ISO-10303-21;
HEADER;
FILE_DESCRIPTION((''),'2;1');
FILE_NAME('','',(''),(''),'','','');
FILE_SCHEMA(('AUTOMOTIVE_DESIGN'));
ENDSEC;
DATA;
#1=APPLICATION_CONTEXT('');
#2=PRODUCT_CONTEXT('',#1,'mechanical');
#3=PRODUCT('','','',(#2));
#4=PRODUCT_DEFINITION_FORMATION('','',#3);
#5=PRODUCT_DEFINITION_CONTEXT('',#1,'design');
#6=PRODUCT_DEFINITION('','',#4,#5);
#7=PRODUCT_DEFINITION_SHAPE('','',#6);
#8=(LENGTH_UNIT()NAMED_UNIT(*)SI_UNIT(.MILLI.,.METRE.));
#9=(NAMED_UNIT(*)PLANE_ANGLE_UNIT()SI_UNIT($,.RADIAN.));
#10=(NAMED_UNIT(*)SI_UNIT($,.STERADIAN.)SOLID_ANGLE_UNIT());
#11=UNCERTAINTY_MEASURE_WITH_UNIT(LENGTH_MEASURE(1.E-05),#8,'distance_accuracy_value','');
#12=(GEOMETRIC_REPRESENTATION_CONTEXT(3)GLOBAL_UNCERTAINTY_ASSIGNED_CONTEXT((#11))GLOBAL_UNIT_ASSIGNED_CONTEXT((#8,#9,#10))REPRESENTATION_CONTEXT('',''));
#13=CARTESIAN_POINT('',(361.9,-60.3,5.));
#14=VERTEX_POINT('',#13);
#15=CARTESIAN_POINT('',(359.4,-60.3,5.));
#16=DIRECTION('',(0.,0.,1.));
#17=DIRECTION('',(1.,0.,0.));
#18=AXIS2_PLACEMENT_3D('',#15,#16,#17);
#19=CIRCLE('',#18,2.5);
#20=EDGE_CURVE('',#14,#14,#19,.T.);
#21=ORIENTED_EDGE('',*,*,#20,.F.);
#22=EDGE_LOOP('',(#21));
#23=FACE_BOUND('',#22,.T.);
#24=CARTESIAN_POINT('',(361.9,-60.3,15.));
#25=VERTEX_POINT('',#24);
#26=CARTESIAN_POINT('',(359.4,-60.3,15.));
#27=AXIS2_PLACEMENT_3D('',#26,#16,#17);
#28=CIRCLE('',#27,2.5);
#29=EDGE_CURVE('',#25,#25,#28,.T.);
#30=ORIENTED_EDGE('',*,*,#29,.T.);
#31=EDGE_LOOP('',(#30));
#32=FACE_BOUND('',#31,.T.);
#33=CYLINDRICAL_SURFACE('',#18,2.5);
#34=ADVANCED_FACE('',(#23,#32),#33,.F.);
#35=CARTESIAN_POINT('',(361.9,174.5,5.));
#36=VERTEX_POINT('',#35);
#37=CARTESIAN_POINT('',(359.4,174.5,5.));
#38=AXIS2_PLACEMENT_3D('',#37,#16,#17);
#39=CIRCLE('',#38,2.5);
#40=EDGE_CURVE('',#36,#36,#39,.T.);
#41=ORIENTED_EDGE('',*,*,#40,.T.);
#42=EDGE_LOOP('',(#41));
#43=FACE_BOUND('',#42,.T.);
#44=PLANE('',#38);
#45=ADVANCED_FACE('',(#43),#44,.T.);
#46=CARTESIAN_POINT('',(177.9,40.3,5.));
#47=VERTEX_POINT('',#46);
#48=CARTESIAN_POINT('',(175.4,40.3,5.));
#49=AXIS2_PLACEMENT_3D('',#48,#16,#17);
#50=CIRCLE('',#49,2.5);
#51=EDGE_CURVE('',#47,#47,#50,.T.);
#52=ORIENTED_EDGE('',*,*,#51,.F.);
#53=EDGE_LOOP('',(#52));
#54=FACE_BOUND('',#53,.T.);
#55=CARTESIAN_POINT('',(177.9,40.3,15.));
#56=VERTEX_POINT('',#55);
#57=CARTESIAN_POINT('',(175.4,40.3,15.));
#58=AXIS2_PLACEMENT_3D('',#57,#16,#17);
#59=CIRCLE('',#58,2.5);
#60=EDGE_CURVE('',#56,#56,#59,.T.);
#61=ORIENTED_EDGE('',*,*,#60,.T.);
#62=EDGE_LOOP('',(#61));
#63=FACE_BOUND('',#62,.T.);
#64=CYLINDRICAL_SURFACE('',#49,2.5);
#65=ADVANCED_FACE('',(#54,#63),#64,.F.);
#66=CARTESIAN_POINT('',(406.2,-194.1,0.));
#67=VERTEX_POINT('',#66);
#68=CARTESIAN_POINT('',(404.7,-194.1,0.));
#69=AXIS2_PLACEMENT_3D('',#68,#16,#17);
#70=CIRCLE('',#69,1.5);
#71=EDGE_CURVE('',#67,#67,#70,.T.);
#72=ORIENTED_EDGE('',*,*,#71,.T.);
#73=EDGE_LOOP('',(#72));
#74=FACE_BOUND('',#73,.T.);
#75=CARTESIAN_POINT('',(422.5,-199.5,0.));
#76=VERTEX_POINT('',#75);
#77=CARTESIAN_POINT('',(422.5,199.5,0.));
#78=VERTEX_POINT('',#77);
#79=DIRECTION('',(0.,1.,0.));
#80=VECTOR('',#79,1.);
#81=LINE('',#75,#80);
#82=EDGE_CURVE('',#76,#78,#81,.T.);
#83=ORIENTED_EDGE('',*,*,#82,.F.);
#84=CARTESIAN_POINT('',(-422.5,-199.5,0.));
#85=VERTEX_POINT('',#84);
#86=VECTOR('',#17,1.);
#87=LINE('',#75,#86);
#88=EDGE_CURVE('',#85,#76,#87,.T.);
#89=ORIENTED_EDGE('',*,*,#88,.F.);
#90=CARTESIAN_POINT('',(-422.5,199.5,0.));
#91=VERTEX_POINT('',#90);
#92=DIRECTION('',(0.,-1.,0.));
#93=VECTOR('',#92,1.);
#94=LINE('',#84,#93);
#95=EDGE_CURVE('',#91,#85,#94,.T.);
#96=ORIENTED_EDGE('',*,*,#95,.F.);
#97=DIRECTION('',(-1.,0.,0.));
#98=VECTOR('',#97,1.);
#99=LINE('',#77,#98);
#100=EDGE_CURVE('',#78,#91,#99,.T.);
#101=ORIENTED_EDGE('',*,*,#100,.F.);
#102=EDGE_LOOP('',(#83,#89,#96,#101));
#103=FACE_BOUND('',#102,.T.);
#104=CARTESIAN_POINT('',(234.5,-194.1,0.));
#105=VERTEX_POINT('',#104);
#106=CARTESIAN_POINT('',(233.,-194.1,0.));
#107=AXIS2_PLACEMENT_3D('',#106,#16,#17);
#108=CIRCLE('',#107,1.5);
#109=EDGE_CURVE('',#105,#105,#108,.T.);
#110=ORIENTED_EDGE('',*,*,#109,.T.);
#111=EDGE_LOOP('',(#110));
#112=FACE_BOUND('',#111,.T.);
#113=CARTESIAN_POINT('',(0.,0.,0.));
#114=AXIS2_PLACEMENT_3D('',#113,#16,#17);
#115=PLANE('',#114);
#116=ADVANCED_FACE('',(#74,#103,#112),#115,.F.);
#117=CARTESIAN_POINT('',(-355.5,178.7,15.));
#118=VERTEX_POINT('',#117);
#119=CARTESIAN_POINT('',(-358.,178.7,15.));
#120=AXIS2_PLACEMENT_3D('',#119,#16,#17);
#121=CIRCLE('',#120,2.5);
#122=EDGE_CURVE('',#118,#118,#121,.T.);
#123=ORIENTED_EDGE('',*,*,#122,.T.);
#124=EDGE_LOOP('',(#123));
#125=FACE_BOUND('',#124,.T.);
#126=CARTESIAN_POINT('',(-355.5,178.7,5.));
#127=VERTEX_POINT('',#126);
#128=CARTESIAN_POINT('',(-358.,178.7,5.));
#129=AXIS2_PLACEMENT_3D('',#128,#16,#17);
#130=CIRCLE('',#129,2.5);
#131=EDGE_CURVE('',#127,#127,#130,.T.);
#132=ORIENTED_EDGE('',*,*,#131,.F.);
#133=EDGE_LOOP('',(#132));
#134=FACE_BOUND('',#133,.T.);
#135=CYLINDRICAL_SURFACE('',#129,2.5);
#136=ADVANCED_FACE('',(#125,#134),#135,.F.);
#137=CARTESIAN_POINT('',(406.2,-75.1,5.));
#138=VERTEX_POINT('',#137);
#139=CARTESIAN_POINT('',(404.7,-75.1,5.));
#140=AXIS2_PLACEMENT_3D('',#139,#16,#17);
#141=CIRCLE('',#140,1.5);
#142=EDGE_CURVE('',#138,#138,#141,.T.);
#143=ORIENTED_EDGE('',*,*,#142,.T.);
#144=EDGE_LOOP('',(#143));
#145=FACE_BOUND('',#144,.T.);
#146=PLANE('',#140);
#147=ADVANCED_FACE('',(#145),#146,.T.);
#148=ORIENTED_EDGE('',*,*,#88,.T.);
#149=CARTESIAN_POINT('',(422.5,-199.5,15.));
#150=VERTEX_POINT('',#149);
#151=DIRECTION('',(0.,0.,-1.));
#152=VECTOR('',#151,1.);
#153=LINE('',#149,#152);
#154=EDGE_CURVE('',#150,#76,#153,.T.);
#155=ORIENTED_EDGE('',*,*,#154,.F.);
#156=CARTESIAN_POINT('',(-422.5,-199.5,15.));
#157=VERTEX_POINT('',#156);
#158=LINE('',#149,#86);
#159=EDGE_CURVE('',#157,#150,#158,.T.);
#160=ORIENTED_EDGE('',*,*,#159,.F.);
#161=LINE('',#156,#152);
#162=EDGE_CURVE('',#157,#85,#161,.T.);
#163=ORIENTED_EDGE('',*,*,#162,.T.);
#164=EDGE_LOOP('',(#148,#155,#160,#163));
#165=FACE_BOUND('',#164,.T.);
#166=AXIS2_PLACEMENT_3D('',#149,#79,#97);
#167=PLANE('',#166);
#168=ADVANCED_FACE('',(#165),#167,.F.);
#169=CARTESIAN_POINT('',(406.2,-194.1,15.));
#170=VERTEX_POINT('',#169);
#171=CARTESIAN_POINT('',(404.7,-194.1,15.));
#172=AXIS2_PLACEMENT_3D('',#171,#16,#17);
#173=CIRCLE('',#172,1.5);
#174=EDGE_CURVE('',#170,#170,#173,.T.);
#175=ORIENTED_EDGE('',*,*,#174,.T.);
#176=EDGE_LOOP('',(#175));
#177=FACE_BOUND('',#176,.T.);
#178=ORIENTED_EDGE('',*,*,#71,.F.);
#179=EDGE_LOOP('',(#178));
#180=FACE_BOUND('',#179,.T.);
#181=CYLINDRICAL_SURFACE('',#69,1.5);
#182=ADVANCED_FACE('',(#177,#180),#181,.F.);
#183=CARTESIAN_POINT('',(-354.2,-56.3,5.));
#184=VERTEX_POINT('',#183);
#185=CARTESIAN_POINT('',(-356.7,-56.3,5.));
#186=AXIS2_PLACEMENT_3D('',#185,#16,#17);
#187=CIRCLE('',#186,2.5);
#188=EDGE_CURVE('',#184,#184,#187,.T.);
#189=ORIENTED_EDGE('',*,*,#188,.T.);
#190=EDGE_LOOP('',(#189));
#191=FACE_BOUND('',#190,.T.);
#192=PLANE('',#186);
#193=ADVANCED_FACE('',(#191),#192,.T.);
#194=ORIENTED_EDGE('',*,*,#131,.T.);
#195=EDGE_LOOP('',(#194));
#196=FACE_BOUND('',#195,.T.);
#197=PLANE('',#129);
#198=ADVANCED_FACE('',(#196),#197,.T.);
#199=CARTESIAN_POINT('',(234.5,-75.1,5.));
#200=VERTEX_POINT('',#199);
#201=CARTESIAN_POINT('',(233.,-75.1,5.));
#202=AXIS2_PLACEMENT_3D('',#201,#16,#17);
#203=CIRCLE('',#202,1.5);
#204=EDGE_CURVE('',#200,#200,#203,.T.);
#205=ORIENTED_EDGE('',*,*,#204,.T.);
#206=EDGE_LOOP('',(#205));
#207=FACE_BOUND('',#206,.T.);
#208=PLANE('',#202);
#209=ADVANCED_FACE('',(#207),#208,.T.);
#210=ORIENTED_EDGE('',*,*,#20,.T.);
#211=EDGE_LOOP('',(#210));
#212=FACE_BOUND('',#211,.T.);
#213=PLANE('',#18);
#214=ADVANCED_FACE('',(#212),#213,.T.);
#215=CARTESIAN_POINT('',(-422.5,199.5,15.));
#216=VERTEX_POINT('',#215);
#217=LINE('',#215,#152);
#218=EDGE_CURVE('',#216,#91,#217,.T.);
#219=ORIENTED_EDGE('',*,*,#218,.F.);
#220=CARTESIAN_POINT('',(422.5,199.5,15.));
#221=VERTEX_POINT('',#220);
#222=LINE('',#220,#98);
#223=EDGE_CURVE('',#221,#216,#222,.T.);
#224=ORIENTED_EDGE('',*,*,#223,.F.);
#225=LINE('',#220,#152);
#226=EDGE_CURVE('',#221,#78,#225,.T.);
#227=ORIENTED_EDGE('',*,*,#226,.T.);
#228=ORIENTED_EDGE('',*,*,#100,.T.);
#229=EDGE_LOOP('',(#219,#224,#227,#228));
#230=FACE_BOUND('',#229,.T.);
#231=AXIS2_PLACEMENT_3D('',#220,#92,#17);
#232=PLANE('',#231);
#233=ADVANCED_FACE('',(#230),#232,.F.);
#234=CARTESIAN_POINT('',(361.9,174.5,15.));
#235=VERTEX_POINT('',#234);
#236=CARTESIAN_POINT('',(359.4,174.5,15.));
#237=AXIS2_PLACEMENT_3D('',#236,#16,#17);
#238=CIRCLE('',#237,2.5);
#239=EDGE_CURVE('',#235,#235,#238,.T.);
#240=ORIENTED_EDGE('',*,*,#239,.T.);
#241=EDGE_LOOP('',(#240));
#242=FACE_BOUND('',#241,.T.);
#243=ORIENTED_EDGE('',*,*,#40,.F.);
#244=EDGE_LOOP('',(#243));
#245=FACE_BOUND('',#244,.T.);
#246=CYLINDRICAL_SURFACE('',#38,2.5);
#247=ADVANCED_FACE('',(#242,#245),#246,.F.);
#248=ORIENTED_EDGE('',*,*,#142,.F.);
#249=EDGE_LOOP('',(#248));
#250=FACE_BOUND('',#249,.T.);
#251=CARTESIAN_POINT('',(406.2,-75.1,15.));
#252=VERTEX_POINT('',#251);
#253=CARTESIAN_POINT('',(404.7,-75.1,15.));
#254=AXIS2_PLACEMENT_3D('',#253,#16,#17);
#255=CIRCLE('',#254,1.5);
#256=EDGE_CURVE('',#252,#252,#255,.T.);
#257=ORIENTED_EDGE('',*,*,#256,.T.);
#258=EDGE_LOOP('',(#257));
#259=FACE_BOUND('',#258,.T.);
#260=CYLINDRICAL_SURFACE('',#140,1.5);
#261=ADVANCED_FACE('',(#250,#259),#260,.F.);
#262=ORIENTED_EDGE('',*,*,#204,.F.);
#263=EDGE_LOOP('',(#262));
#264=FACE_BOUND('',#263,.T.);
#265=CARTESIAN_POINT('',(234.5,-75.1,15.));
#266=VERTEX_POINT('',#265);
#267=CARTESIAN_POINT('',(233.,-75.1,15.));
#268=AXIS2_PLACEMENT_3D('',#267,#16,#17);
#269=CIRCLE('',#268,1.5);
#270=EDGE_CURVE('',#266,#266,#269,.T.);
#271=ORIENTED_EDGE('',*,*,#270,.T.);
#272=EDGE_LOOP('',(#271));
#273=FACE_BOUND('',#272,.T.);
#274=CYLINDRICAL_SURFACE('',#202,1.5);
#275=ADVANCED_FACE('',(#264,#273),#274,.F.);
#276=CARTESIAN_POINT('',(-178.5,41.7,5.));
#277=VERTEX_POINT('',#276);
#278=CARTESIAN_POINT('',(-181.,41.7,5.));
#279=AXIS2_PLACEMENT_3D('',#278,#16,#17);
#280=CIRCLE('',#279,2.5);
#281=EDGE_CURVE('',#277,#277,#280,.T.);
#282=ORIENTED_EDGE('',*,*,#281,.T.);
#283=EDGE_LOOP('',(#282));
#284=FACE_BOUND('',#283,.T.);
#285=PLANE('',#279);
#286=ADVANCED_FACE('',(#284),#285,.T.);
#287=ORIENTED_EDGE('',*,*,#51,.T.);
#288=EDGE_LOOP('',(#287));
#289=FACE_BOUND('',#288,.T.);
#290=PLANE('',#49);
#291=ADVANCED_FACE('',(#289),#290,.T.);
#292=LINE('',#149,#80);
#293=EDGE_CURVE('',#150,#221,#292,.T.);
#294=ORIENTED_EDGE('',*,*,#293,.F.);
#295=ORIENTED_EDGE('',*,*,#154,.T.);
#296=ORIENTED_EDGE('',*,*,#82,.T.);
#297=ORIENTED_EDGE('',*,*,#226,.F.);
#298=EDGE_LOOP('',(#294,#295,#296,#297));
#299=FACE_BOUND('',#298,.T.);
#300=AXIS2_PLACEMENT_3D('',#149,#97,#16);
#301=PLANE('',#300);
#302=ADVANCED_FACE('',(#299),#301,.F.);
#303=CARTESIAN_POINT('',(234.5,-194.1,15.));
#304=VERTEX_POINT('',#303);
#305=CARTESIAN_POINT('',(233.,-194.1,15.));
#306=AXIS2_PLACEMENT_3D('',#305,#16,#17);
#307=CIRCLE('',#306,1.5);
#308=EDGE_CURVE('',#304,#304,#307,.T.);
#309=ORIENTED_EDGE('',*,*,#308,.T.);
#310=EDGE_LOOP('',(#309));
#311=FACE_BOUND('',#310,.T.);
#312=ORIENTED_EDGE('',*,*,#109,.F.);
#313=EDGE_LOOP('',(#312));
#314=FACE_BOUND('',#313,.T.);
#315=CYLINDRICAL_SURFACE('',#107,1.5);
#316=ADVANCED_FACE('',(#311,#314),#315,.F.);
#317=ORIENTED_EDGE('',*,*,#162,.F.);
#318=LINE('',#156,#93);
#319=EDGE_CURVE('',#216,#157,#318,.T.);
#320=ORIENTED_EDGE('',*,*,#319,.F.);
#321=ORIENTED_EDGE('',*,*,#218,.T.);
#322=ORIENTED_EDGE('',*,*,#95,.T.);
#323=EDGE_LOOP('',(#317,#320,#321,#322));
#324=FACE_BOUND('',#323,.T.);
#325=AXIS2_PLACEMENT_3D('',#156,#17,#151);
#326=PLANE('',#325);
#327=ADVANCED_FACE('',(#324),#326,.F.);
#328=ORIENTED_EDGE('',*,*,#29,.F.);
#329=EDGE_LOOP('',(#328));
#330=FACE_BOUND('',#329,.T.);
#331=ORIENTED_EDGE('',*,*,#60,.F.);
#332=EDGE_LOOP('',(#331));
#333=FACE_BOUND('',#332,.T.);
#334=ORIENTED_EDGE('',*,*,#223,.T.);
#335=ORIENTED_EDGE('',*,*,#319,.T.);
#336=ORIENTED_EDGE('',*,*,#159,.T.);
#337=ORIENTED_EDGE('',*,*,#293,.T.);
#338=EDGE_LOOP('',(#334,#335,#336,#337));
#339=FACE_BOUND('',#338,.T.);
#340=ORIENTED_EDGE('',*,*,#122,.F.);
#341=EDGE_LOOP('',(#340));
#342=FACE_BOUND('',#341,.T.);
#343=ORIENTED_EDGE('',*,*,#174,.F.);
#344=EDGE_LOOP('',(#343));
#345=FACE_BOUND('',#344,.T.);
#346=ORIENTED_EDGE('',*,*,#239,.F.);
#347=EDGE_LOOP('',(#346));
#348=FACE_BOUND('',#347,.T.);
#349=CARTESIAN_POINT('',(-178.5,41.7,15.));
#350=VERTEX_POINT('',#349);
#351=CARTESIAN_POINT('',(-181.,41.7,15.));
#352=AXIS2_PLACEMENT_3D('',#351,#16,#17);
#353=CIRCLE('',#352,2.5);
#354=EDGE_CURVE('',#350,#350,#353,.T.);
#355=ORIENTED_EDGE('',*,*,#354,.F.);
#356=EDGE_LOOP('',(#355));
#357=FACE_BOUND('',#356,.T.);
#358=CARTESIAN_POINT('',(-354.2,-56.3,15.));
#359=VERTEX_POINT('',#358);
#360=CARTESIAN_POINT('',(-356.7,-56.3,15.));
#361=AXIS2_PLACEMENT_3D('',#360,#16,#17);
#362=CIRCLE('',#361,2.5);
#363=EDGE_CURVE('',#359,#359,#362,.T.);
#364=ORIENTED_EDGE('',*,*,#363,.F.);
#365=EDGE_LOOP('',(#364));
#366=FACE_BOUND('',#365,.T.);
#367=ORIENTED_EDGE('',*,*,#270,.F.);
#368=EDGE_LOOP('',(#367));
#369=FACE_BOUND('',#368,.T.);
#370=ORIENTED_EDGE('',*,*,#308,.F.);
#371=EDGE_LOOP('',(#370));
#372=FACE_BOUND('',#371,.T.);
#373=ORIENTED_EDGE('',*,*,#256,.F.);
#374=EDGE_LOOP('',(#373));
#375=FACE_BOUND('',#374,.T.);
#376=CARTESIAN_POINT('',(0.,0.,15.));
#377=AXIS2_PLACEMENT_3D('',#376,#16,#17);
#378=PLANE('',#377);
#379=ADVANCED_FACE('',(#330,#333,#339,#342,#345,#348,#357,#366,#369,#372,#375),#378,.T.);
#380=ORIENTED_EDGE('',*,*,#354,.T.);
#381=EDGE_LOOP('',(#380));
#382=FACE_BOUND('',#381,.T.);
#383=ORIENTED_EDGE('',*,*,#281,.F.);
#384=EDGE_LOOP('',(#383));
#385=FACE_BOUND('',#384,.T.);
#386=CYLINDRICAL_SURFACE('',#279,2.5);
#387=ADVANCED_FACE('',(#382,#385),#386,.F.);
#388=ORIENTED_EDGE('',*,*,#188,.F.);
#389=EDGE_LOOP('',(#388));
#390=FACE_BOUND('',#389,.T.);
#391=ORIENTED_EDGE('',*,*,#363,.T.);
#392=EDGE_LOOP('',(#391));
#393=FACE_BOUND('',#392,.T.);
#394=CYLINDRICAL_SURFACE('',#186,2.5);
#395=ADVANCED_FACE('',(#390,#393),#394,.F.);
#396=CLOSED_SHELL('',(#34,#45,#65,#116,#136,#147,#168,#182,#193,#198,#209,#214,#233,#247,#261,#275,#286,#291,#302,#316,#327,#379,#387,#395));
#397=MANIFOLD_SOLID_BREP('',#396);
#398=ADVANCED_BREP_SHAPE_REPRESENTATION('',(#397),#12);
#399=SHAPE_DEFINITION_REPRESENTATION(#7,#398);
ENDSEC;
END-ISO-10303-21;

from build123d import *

# Parameters (mm, degrees)
ESBO_O1_W                = 845
ESBO_O1_H                = 399
RESSALTO_EXTRUS_O1_DEPTH = 15
ESBO_O2_R                = 2.5
CORTE_EXTRUS_O1_DEPTH    = 10
ESBO_O3_R                = 1.5
CORTE_EXTRUS_O2_DEPTH    = 10
ESBO_O4_R                = 1.5
CORTE_EXTRUS_O3_DEPTH    = 468.473528662


with BuildPart() as part:
    # Esboço1 → Ressalto-extrusão1 (new body)
    with BuildSketch(Plane.XY):
        Rectangle(ESBO_O1_W, ESBO_O1_H)
    extrude(amount=RESSALTO_EXTRUS_O1_DEPTH)

    # Esboço2 → Corte-extrusão1 (cut)
    with BuildSketch(Plane.XY.offset(15)):
        with Locations((-358, 178.7)):
            Circle(ESBO_O2_R)
        with Locations((-356.7, -56.3)):
            Circle(ESBO_O2_R)
        with Locations((-181, 41.7)):
            Circle(ESBO_O2_R)
        with Locations((359.4, -60.3)):
            Circle(ESBO_O2_R)
        with Locations((359.4, 174.5)):
            Circle(ESBO_O2_R)
        with Locations((175.4, 40.3)):
            Circle(ESBO_O2_R)
    extrude(amount=-CORTE_EXTRUS_O1_DEPTH, mode=Mode.SUBTRACT)

    # Esboço3 → Corte-extrusão2 (cut)
    with BuildSketch(Plane.XY.offset(15)):
        with Locations((233, -75.1)):
            Circle(ESBO_O3_R)
        with Locations((404.7, -75.1)):
            Circle(ESBO_O3_R)
    extrude(amount=-CORTE_EXTRUS_O2_DEPTH, mode=Mode.SUBTRACT)

    # Esboço4 → Corte-extrusão3 (cut, through all)
    with BuildSketch(Plane.XY.offset(15)):
        with Locations((233, -194.1)):
            Circle(ESBO_O4_R)
        with Locations((404.7, -194.1)):
            Circle(ESBO_O4_R)
    extrude(amount=-CORTE_EXTRUS_O3_DEPTH, mode=Mode.SUBTRACT)


solid = part.part
